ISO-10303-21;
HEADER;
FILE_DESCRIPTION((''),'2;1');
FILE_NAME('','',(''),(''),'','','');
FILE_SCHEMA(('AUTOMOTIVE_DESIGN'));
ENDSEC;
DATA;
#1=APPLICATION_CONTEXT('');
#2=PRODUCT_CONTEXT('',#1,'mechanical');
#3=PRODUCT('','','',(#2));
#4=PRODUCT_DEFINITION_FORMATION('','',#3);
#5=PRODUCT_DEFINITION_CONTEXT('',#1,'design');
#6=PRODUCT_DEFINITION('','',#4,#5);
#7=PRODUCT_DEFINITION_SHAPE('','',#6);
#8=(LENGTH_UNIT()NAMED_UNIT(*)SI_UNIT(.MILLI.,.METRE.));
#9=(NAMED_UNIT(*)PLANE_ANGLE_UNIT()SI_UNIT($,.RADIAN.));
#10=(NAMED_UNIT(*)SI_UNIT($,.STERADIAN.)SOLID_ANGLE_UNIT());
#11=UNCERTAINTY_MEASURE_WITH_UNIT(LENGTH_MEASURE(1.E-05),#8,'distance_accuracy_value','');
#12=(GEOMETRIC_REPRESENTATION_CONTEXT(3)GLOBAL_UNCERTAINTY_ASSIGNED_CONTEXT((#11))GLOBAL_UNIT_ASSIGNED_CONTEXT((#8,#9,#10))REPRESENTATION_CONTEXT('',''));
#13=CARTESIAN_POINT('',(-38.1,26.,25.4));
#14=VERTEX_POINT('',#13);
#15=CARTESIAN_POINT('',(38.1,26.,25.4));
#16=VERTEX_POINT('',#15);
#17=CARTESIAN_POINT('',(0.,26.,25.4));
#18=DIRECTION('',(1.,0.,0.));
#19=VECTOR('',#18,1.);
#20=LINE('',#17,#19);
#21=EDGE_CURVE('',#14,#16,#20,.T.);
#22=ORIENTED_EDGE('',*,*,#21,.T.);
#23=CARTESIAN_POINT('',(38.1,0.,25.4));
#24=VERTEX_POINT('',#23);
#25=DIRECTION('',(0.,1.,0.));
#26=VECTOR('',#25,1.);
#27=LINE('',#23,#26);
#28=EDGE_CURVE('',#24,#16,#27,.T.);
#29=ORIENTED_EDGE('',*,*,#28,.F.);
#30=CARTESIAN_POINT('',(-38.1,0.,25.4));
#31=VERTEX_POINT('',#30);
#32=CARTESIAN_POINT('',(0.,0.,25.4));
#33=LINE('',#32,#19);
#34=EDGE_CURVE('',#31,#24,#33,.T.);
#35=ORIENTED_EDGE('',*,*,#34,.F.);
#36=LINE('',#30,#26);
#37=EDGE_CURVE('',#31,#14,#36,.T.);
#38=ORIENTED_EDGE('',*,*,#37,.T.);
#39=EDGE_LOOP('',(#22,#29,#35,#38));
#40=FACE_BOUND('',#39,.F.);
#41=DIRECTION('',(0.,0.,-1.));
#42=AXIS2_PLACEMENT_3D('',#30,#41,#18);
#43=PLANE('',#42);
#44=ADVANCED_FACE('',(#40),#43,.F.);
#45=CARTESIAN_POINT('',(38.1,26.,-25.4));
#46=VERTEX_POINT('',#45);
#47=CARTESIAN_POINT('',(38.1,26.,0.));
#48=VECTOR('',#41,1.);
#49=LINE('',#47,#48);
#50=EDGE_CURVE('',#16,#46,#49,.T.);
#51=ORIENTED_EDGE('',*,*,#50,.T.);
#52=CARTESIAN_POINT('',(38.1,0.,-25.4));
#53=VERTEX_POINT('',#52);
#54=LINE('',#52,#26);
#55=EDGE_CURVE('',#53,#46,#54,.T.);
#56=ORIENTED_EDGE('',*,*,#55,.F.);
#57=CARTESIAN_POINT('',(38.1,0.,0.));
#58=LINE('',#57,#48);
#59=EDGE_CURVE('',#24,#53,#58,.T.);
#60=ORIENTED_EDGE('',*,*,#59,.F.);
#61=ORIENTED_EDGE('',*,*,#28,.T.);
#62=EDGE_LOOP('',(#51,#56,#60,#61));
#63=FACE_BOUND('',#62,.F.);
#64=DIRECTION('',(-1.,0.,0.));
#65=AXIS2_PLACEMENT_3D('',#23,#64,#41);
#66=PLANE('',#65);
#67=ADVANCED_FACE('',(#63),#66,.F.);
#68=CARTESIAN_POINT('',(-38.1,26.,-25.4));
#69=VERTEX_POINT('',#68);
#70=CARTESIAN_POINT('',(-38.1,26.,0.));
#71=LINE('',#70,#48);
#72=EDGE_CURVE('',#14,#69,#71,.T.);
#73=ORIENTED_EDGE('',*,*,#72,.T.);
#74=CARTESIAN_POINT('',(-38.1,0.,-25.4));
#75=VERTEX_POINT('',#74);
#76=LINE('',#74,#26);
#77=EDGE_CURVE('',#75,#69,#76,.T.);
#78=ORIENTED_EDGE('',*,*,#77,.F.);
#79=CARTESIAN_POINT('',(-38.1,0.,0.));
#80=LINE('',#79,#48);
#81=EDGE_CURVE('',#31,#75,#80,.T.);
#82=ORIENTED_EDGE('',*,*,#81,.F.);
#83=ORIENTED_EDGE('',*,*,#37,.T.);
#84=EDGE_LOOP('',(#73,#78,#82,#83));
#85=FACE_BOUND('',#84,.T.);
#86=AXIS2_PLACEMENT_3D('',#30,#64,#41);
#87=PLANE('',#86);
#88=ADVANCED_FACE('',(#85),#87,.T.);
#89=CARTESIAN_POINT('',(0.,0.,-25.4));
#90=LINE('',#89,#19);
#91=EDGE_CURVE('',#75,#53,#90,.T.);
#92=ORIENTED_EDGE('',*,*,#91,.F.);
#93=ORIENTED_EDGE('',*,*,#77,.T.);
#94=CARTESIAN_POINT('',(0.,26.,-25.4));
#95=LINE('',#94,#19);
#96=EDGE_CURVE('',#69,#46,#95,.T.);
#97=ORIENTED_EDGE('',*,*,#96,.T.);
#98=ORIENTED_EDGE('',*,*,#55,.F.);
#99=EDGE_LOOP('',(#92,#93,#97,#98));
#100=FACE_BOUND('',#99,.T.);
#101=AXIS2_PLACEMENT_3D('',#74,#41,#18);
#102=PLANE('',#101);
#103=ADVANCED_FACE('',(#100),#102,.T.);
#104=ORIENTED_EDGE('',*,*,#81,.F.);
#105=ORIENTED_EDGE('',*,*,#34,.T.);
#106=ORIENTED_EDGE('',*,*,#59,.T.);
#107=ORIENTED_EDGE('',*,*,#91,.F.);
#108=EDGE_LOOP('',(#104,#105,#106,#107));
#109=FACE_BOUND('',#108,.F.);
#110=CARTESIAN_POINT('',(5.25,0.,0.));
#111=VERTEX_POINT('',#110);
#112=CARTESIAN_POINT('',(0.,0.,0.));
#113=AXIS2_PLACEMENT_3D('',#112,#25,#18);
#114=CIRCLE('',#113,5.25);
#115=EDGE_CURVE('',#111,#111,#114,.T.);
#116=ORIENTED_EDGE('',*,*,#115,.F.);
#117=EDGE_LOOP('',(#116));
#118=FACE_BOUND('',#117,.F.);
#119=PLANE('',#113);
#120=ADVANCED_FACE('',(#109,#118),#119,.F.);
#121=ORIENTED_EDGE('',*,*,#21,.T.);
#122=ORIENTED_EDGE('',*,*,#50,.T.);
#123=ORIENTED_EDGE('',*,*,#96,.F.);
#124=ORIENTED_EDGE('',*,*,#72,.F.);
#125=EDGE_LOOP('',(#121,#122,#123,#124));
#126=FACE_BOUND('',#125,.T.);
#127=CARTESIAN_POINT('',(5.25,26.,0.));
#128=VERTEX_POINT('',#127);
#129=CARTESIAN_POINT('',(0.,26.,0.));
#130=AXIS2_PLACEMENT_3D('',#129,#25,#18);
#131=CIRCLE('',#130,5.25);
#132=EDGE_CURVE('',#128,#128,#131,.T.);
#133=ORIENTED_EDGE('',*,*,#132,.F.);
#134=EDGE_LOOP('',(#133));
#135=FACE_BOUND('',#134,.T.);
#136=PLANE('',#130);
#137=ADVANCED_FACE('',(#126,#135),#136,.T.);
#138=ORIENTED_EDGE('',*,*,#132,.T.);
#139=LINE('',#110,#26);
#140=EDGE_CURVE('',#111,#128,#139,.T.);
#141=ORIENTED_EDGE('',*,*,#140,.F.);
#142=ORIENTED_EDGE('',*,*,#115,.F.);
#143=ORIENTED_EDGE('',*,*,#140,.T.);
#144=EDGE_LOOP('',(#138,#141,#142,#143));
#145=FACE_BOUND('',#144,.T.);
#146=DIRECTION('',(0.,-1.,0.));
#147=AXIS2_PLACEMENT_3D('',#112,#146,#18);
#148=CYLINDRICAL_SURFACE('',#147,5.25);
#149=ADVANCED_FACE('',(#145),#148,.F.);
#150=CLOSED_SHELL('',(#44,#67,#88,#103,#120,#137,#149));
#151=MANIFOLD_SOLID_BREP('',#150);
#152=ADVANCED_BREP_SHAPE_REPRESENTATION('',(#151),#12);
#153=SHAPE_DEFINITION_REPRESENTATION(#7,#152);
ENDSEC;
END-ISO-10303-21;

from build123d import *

# Parameters (mm, degrees)
SKETCH1_W           = 76.2
SKETCH1_H           = 50.8
SKETCH1_R           = 5.25
BOSS_EXTRUDE1_DEPTH = 26


with BuildPart() as part:
    # Sketch1 → Boss-Extrude1 (new body)
    with BuildSketch(Plane(origin=(0, 0, 0), x_dir=(1, 0, 0), z_dir=(0, 1, 0))):
        Rectangle(SKETCH1_W, SKETCH1_H)
        Circle(SKETCH1_R, mode=Mode.SUBTRACT)
    extrude(amount=BOSS_EXTRUDE1_DEPTH)


solid = part.part
